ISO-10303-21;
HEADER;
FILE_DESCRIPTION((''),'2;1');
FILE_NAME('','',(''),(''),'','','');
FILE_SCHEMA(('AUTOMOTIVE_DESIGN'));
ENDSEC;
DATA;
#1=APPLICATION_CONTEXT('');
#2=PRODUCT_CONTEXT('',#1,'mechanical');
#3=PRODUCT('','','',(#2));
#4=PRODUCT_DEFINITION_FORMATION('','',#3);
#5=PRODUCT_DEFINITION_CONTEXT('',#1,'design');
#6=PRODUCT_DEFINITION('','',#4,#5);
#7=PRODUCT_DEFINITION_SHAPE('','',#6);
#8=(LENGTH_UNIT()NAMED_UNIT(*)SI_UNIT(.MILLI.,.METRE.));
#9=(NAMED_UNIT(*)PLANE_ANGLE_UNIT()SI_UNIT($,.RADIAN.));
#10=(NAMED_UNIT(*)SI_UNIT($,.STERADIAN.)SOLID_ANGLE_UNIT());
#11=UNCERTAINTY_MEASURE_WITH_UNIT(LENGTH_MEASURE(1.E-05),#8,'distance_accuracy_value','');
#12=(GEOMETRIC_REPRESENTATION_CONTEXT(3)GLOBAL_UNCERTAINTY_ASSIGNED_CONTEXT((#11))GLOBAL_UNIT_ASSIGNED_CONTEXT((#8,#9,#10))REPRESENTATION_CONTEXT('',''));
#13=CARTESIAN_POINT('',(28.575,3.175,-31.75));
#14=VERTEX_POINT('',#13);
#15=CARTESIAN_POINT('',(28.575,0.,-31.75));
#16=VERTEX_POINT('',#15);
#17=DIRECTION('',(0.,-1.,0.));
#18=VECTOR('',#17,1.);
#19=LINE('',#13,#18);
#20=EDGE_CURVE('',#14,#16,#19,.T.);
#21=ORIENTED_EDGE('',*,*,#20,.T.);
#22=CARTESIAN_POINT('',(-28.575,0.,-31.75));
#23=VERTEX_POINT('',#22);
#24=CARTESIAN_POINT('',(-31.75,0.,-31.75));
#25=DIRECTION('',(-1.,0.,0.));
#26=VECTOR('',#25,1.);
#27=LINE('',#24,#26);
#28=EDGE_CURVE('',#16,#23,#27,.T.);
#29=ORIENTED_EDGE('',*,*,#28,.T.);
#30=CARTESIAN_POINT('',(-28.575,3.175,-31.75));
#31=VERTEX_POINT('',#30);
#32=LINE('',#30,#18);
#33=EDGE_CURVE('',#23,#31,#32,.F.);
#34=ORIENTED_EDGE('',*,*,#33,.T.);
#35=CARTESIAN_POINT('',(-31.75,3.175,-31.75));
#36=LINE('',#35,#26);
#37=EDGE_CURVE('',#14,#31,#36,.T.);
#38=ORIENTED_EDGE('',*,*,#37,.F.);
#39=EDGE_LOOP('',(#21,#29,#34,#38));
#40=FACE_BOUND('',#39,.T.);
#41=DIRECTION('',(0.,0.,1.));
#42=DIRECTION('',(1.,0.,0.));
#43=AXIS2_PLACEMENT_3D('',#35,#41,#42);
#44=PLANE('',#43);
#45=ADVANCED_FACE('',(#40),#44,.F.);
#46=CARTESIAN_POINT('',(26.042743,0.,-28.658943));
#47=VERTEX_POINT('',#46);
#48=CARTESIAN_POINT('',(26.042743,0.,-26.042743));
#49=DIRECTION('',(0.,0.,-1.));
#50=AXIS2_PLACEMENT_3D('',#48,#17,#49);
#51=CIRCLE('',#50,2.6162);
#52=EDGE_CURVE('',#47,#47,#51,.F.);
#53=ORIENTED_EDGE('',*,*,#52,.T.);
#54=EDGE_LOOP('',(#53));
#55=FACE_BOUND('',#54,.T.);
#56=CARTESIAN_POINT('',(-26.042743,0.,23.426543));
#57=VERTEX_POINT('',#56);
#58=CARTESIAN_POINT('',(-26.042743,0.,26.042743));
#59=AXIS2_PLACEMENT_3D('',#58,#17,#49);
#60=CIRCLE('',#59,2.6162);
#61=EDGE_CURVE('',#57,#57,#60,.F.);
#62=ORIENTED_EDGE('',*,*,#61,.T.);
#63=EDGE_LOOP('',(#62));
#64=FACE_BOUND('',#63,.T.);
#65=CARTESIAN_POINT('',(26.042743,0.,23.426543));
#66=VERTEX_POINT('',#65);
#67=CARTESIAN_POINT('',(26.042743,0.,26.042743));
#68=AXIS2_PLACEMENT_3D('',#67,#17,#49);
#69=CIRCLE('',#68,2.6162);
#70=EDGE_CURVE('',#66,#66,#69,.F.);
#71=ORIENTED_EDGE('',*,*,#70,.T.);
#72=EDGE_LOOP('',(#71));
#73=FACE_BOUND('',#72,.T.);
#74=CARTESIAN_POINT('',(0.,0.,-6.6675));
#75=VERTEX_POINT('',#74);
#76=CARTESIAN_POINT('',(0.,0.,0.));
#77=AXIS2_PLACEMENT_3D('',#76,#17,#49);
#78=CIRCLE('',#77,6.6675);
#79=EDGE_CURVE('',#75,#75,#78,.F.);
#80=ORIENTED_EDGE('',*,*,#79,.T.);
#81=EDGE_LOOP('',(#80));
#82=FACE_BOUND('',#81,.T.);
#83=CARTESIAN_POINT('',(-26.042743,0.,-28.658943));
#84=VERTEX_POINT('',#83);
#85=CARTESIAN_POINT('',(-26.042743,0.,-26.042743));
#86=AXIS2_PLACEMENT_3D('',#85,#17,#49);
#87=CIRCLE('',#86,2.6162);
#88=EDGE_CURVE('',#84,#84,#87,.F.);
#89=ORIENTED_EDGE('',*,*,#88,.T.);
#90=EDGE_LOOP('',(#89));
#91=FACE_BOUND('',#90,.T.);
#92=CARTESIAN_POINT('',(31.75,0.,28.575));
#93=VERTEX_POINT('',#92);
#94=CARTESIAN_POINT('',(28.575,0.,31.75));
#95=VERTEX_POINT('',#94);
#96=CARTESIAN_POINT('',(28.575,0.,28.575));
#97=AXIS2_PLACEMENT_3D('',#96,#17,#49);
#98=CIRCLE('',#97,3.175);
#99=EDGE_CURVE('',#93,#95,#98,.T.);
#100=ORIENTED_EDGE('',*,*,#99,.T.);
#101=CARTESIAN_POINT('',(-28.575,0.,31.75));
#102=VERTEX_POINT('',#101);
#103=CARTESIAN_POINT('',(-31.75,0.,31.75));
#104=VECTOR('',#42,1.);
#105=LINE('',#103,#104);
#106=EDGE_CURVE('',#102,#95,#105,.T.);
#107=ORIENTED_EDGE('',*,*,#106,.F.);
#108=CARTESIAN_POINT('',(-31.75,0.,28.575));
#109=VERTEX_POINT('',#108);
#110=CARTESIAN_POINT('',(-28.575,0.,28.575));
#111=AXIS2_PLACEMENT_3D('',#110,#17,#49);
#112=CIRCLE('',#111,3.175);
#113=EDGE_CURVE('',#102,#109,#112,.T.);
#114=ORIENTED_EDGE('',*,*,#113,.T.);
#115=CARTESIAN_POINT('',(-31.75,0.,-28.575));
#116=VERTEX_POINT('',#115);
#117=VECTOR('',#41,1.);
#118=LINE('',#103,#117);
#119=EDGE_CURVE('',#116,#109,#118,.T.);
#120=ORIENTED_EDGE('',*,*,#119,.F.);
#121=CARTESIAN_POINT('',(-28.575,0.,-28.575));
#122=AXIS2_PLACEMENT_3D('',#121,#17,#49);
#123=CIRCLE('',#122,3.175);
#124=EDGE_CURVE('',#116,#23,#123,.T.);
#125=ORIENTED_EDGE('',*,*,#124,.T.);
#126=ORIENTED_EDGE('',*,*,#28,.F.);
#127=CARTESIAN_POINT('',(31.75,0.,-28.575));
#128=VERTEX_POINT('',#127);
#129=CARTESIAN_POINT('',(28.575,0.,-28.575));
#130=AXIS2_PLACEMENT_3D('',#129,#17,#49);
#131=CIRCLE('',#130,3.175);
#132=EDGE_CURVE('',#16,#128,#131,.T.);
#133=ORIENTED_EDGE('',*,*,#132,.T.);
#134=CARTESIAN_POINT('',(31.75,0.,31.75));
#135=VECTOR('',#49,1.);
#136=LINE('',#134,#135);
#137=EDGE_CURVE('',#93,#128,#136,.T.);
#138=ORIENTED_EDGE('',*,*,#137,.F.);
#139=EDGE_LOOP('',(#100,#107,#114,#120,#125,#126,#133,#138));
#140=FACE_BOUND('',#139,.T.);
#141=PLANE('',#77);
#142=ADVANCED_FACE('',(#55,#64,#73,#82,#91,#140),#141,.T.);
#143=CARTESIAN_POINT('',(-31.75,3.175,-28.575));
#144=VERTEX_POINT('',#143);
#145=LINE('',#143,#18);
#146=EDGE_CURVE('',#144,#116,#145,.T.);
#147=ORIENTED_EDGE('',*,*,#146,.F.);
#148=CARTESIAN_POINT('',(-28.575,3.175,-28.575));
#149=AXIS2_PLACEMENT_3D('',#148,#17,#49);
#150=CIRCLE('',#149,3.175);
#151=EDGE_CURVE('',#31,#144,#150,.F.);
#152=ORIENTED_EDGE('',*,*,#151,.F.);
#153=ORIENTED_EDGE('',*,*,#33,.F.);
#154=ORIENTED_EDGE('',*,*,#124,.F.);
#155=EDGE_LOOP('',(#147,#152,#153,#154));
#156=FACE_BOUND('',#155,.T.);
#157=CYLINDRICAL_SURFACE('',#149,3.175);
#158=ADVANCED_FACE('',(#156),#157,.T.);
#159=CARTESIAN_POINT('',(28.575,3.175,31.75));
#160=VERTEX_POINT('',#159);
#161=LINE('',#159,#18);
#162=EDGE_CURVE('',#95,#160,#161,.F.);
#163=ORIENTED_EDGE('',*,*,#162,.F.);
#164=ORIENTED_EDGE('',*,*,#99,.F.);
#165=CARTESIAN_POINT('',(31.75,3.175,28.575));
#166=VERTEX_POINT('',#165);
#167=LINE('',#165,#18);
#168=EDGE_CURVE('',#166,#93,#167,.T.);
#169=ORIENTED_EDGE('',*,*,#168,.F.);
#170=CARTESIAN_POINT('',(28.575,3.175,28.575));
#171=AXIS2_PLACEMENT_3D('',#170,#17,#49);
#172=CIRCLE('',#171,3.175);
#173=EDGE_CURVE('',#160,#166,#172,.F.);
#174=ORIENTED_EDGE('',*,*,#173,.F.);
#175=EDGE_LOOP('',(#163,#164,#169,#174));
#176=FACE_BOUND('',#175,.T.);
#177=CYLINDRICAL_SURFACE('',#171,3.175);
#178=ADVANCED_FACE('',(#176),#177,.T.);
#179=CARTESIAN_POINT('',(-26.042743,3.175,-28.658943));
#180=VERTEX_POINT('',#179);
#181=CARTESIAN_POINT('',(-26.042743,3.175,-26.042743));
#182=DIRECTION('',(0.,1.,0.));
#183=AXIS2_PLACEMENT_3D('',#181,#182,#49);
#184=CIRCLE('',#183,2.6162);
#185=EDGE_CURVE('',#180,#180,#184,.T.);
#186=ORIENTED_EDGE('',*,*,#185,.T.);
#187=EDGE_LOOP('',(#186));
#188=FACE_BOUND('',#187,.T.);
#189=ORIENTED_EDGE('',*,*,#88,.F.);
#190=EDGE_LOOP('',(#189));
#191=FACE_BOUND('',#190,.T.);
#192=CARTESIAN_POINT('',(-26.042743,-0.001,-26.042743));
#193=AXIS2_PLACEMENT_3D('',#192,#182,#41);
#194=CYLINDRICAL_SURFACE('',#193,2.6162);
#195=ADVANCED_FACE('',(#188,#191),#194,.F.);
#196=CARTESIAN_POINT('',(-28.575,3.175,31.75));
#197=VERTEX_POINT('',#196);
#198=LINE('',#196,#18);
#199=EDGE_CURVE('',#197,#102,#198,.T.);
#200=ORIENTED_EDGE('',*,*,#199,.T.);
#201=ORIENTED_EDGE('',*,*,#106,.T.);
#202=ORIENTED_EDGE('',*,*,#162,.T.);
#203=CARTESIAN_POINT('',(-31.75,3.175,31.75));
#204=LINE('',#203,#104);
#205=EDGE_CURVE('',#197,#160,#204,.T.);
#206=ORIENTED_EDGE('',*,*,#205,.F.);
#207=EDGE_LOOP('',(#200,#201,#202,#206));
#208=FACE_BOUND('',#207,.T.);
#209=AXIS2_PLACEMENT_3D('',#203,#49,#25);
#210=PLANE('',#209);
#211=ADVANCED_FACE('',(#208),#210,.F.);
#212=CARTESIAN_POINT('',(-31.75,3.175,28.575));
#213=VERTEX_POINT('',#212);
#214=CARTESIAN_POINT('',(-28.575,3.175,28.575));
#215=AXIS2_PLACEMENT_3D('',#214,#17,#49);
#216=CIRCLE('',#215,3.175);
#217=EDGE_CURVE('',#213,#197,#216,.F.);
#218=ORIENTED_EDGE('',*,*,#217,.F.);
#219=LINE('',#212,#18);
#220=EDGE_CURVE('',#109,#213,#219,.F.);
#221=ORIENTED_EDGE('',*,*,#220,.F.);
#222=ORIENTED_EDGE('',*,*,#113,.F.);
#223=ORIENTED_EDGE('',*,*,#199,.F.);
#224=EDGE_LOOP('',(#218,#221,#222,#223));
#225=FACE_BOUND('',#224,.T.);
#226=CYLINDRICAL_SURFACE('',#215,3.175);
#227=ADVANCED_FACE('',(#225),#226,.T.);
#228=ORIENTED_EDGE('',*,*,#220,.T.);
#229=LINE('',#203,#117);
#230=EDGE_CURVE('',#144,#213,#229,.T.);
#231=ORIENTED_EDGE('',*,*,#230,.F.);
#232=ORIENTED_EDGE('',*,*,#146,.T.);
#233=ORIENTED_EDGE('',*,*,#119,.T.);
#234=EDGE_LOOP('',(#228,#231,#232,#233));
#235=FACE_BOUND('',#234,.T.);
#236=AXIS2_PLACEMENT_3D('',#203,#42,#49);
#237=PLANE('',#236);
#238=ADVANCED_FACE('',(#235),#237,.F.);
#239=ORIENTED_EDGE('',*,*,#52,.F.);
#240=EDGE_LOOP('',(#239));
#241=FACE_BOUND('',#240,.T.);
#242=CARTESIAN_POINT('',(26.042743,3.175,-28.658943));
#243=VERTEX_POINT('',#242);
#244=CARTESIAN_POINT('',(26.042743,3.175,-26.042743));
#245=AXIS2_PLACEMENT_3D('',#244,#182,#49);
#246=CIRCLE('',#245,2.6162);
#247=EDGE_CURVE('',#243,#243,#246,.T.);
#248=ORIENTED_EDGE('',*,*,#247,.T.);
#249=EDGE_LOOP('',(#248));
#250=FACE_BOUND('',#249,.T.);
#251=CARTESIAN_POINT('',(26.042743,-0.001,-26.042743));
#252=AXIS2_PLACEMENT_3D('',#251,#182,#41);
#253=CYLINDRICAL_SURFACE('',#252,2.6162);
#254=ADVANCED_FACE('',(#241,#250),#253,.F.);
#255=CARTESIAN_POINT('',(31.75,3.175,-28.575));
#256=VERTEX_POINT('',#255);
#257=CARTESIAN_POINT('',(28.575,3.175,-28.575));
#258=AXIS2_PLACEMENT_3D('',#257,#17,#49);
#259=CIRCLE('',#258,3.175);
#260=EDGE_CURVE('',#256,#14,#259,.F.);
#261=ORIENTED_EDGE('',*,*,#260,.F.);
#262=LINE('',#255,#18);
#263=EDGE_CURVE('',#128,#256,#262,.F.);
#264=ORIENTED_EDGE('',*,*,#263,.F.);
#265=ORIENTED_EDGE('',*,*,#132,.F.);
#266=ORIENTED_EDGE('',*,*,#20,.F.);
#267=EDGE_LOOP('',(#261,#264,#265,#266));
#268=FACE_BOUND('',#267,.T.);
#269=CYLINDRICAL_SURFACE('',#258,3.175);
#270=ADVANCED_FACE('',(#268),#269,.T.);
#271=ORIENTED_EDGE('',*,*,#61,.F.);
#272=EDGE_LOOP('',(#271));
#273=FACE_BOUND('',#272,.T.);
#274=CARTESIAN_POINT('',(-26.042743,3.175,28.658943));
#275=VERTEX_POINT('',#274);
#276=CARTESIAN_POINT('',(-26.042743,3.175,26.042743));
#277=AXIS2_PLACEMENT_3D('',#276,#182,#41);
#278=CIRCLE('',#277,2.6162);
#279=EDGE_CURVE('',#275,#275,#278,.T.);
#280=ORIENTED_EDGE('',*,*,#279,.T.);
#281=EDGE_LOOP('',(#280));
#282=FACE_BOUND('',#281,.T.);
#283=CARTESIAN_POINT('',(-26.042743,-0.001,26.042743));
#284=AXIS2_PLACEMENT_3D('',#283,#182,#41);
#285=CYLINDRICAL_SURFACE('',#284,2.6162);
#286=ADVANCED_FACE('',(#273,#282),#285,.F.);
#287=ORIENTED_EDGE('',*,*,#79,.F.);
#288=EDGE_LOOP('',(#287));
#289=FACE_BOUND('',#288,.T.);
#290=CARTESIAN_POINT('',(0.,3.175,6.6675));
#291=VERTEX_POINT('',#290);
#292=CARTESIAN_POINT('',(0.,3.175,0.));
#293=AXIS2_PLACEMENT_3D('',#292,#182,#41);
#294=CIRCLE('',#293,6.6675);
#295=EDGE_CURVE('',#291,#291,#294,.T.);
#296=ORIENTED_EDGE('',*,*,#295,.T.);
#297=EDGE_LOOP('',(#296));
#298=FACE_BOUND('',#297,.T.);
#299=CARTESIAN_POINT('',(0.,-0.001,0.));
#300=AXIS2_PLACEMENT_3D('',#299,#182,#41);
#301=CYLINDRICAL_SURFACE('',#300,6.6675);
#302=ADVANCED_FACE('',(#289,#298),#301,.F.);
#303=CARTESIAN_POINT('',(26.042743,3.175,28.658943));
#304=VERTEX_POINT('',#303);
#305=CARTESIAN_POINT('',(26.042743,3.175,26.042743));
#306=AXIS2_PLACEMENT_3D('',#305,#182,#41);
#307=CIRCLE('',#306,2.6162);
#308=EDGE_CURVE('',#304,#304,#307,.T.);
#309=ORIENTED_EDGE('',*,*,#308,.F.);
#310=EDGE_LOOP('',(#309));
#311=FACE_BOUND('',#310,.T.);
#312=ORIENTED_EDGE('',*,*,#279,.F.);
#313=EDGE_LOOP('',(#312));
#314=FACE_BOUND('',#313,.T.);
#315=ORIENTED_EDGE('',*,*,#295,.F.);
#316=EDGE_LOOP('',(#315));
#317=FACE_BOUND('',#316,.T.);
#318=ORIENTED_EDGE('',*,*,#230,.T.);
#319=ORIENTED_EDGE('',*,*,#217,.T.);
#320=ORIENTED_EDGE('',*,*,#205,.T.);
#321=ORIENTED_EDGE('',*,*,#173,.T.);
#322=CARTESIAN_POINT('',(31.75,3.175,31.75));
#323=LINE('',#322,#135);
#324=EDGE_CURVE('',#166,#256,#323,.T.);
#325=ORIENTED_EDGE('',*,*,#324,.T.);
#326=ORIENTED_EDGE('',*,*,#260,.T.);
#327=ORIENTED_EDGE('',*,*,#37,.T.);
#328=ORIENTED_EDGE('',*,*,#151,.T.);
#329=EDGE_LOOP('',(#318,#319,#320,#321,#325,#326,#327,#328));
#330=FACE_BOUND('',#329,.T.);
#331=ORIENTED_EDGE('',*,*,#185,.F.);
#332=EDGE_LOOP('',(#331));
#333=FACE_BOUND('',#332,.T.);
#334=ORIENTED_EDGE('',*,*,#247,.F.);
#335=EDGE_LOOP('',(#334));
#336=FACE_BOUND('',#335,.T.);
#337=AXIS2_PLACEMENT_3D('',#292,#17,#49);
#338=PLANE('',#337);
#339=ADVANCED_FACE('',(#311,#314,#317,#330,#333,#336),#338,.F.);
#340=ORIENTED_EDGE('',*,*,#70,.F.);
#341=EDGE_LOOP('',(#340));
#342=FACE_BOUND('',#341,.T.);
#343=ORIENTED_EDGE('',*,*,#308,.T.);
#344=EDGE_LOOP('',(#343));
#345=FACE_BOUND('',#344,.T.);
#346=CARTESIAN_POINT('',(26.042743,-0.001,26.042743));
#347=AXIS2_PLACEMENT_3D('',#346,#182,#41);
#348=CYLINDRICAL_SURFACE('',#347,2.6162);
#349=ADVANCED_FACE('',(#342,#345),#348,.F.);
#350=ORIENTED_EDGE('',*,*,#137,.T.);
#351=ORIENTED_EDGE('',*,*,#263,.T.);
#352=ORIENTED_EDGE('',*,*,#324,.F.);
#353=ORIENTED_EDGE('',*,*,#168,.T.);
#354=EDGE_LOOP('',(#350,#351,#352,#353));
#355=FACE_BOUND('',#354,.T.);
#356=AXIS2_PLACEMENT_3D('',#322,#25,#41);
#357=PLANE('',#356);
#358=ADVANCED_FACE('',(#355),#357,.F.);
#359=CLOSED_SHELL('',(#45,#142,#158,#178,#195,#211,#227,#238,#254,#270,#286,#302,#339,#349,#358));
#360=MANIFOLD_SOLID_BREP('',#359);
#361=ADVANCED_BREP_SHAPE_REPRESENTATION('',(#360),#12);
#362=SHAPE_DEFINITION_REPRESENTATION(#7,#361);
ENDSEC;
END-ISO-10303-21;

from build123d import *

# Parameters (mm, degrees)
SKETCH1_W           = 63.5
SKETCH1_H           = 63.5
BOSS_EXTRUDE1_DEPTH = 3.175
FILLET1_R           = 3.175
CUT_EXTRUDE1_REACH  = 47.013
SKETCH2_R           = 6.6675
CUT_EXTRUDE2_REACH  = 47.013
SKETCH3_R           = 2.6162


with BuildPart() as part:
    # Sketch1 → Boss-Extrude1 (new body)
    with BuildSketch(Plane(origin=(0, 0, 0), x_dir=(1, 0, 0), z_dir=(0, 1, 0))):
        Rectangle(SKETCH1_W, SKETCH1_H)
    extrude(amount=BOSS_EXTRUDE1_DEPTH)

    # Fillet1
    fillet1_edges = [part.edges().sort_by_distance(p)[0] for p in [
        (31.75, 1.5875, 31.75),
        (-31.75, 1.5875, 31.75),
        (-31.75, 1.5875, -31.75),
        (31.75, 1.5875, -31.75),
    ]]
    fillet(fillet1_edges, radius=FILLET1_R)

    # Sketch2 → Cut-Extrude1 (cut, up to next)
    with BuildSketch(Plane(origin=(0, 3.175, 0), x_dir=(1, 0, 0), z_dir=(0, 1, 0)), mode=Mode.PRIVATE) as cut_extrude1_sk1:
        with Locations(Location((0, 0, 0), (0, 0, 270))):
            Circle(SKETCH2_R)
    cut_extrude1_tool1 = extrude(cut_extrude1_sk1.sketch, amount=-CUT_EXTRUDE1_REACH, mode=Mode.PRIVATE) & part.part
    add(cut_extrude1_tool1.solids().sort_by_distance((0, 3.175, 0))[0], mode=Mode.SUBTRACT)

    # Sketch3 → Cut-Extrude2 (cut, up to next)
    with BuildSketch(Plane(origin=(0, 3.175, 0), x_dir=(1, 0, 0), z_dir=(0, 1, 0)), mode=Mode.PRIVATE) as cut_extrude2_sk1:
        with Locations(Location((26.042742751, -26.042742751, 0), (0, 0, 270))):
            Circle(SKETCH3_R)
    cut_extrude2_tool1 = extrude(cut_extrude2_sk1.sketch, amount=-CUT_EXTRUDE2_REACH, mode=Mode.PRIVATE) & part.part
    # Sketch3 → Cut-Extrude2 (cut, up to next)
    with BuildSketch(Plane(origin=(0, 3.175, 0), x_dir=(1, 0, 0), z_dir=(0, 1, 0)), mode=Mode.PRIVATE) as cut_extrude2_sk2:
        with Locations(Location((-26.042742751, -26.042742751, 0), (0, 0, 270))):
            Circle(SKETCH3_R)
    cut_extrude2_tool2 = extrude(cut_extrude2_sk2.sketch, amount=-CUT_EXTRUDE2_REACH, mode=Mode.PRIVATE) & part.part
    # Sketch3 → Cut-Extrude2 (cut, up to next)
    with BuildSketch(Plane(origin=(0, 3.175, 0), x_dir=(1, 0, 0), z_dir=(0, 1, 0)), mode=Mode.PRIVATE) as cut_extrude2_sk3:
        with Locations(Location((26.042742751, 26.042742751, 0), (0, 0, 90))):
            Circle(SKETCH3_R)
    cut_extrude2_tool3 = extrude(cut_extrude2_sk3.sketch, amount=-CUT_EXTRUDE2_REACH, mode=Mode.PRIVATE) & part.part
    # Sketch3 → Cut-Extrude2 (cut, up to next)
    with BuildSketch(Plane(origin=(0, 3.175, 0), x_dir=(1, 0, 0), z_dir=(0, 1, 0)), mode=Mode.PRIVATE) as cut_extrude2_sk4:
        with Locations(Location((-26.042742751, 26.042742751, 0), (0, 0, 90))):
            Circle(SKETCH3_R)
    cut_extrude2_tool4 = extrude(cut_extrude2_sk4.sketch, amount=-CUT_EXTRUDE2_REACH, mode=Mode.PRIVATE) & part.part
    add(cut_extrude2_tool1.solids().sort_by_distance((26.042743, 3.175, 26.042743))[0], mode=Mode.SUBTRACT)
    add(cut_extrude2_tool2.solids().sort_by_distance((-26.042743, 3.175, 26.042743))[0], mode=Mode.SUBTRACT)
    add(cut_extrude2_tool3.solids().sort_by_distance((26.042743, 3.175, -26.042743))[0], mode=Mode.SUBTRACT)
    add(cut_extrude2_tool4.solids().sort_by_distance((-26.042743, 3.175, -26.042743))[0], mode=Mode.SUBTRACT)


solid = part.part
